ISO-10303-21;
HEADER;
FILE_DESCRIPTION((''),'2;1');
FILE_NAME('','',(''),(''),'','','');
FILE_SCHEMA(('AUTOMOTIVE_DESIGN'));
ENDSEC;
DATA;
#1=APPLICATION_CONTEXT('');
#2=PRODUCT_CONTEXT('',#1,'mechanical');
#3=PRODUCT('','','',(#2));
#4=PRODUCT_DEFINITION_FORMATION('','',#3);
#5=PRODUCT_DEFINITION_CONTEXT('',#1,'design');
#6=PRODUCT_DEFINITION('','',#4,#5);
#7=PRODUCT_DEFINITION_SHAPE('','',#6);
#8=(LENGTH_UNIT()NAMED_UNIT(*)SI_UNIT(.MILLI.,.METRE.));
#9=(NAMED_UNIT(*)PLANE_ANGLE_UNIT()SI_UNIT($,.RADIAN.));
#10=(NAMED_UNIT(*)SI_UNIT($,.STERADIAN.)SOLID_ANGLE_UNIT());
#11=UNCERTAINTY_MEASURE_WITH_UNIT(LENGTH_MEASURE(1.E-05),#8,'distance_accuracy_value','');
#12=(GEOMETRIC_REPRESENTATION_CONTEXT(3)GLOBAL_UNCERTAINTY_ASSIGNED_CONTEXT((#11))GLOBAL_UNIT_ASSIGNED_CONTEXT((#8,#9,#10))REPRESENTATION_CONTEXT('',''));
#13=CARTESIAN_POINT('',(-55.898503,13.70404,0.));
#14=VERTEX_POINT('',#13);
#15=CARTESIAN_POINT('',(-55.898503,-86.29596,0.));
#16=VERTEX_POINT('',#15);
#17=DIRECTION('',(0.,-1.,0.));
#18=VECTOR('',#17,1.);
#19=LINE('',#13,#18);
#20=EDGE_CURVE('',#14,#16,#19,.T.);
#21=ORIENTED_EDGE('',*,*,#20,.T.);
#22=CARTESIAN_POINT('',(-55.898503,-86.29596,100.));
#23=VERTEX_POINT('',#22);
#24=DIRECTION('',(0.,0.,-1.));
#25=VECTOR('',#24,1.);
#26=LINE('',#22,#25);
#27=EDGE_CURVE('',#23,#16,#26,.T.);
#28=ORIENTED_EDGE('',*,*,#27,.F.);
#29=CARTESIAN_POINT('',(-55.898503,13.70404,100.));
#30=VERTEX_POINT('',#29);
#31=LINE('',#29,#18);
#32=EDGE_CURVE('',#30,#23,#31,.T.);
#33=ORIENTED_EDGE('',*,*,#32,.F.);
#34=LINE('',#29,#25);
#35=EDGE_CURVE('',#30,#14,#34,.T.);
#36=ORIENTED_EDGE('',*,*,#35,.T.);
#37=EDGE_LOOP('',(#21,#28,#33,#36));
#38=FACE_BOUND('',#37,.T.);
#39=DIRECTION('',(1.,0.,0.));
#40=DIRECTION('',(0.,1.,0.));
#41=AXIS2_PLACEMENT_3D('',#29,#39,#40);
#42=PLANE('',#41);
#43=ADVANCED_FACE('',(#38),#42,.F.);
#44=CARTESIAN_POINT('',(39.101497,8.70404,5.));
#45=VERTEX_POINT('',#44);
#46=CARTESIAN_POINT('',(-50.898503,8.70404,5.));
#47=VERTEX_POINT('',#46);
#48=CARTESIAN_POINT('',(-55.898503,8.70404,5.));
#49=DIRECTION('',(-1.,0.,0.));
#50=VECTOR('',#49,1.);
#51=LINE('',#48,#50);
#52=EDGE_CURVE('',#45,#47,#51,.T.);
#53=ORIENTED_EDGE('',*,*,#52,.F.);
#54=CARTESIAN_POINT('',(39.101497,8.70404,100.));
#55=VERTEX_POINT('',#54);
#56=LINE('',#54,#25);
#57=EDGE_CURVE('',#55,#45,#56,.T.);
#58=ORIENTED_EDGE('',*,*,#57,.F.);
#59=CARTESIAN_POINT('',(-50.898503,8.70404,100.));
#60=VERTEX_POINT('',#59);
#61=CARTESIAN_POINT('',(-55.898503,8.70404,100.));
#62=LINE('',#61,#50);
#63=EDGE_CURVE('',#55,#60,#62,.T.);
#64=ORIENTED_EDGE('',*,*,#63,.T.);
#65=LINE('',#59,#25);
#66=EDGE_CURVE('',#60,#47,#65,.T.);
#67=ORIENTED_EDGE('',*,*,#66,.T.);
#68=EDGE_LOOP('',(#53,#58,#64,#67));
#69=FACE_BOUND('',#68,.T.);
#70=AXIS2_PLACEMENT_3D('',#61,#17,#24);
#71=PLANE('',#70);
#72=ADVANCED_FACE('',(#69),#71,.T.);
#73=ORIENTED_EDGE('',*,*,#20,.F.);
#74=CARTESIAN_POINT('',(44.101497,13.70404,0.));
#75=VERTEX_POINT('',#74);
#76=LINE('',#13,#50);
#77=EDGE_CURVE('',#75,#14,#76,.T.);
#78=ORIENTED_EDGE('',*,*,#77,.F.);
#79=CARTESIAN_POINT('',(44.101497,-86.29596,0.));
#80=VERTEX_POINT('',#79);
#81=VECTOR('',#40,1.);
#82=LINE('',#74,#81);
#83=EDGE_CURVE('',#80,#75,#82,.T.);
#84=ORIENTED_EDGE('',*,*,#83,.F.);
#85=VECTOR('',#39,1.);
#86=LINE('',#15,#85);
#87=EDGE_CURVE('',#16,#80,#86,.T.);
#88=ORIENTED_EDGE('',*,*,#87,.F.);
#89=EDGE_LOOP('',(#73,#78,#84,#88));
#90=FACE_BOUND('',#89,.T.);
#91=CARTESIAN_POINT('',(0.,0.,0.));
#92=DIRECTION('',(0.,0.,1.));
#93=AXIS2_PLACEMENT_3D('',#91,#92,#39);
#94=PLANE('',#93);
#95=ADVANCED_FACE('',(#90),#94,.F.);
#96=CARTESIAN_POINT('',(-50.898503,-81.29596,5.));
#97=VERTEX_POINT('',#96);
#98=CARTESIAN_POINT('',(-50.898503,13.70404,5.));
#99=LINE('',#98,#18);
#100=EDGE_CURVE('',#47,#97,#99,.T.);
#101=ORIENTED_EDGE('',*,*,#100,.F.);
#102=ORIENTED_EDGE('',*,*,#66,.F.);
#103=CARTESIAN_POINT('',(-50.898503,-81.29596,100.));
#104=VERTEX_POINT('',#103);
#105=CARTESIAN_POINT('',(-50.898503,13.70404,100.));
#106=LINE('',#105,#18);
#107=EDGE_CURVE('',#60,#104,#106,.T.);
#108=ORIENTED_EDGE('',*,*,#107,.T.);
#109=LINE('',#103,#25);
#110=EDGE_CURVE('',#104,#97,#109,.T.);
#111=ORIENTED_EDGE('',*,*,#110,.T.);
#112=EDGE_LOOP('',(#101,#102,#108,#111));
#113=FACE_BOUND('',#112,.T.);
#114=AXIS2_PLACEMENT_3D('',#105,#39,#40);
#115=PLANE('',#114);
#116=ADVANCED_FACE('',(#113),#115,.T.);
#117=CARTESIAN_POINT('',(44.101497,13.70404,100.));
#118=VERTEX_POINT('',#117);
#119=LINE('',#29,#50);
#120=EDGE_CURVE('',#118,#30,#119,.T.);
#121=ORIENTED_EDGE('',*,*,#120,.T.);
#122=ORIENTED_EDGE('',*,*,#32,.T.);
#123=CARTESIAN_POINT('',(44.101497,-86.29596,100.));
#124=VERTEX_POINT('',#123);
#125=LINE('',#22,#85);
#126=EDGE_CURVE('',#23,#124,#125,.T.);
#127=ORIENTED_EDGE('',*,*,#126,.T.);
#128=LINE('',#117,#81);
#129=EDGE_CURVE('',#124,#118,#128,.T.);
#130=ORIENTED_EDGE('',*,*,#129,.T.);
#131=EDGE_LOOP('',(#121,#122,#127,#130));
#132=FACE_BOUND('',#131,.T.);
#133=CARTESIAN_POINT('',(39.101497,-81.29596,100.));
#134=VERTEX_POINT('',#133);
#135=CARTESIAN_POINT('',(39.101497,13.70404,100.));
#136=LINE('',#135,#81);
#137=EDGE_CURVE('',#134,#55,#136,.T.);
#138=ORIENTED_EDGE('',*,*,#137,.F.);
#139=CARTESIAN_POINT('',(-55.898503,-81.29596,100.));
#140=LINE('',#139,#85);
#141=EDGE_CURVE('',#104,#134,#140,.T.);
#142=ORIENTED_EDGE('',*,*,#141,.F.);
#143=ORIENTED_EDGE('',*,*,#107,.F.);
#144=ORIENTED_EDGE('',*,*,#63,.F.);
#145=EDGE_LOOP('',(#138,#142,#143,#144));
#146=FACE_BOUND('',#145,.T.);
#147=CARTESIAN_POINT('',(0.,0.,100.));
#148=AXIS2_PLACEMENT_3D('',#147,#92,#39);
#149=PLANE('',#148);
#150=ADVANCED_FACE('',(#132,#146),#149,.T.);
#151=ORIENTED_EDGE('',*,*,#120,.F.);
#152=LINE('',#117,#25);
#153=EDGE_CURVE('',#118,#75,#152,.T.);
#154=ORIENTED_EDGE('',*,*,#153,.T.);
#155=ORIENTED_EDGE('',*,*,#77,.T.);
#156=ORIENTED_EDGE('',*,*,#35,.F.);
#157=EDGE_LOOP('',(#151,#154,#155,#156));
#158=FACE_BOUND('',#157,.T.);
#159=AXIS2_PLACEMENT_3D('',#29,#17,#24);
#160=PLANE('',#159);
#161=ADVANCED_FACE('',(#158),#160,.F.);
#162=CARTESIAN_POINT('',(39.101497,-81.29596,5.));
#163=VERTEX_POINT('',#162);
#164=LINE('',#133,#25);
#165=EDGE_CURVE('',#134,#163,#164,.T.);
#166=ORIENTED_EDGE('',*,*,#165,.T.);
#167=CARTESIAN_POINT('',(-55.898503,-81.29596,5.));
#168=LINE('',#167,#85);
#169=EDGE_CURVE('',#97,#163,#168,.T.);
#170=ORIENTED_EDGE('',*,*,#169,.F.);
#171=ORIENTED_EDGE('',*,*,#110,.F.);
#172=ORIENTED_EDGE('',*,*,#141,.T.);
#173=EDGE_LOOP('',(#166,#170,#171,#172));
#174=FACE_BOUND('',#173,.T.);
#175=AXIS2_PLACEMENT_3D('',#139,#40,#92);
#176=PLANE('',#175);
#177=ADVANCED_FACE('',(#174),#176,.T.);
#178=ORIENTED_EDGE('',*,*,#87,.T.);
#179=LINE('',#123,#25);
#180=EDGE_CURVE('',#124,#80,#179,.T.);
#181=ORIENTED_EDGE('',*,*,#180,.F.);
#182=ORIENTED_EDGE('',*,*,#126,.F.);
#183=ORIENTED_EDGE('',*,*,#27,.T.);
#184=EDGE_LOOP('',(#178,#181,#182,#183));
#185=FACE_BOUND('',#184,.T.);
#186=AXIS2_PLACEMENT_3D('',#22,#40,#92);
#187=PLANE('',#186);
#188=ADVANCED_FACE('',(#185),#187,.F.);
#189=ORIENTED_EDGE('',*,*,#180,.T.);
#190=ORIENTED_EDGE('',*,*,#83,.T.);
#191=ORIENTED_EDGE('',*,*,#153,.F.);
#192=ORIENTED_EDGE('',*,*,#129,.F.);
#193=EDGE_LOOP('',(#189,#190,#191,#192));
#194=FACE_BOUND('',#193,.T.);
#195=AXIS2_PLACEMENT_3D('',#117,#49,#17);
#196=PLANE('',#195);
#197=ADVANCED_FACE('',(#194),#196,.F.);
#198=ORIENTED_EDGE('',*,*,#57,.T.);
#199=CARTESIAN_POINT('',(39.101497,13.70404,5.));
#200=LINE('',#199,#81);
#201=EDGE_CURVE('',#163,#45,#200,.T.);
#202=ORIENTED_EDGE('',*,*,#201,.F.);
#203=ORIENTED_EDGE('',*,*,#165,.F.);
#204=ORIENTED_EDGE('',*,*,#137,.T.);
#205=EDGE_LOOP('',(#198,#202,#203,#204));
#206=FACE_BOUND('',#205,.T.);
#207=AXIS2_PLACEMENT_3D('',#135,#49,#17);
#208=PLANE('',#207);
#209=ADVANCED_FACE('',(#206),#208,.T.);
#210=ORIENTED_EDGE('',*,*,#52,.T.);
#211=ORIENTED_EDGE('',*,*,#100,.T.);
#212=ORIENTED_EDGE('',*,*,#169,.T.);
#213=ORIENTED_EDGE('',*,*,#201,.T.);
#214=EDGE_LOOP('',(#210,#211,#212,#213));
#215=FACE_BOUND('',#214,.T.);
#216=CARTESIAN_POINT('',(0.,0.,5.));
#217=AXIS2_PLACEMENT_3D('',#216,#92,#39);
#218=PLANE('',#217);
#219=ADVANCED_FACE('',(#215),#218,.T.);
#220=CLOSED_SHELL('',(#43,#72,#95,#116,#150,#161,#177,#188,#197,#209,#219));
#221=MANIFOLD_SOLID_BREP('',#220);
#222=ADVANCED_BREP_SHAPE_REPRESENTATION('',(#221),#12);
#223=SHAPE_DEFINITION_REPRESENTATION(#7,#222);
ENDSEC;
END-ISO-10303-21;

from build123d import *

# Parameters (mm, degrees)
SKETCH1_W           = 100
SKETCH1_H           = 100
BOSS_EXTRUDE1_DEPTH = 100
SHELL1_T            = -5


with BuildPart() as part:
    # Sketch1 → Boss-Extrude1 (new body)
    with BuildSketch(Plane.XY):
        with Locations((-5.898502638, -36.295960273)):
            Rectangle(SKETCH1_W, SKETCH1_H)
    extrude(amount=BOSS_EXTRUDE1_DEPTH)

    # Shell1
    shell1_openings = [part.faces().sort_by_distance(p)[0] for p in [
        (-5.898502638, -36.295960273, 100),
    ]]
    offset(amount=SHELL1_T, openings=shell1_openings, kind=Kind.INTERSECTION)


solid = part.part
